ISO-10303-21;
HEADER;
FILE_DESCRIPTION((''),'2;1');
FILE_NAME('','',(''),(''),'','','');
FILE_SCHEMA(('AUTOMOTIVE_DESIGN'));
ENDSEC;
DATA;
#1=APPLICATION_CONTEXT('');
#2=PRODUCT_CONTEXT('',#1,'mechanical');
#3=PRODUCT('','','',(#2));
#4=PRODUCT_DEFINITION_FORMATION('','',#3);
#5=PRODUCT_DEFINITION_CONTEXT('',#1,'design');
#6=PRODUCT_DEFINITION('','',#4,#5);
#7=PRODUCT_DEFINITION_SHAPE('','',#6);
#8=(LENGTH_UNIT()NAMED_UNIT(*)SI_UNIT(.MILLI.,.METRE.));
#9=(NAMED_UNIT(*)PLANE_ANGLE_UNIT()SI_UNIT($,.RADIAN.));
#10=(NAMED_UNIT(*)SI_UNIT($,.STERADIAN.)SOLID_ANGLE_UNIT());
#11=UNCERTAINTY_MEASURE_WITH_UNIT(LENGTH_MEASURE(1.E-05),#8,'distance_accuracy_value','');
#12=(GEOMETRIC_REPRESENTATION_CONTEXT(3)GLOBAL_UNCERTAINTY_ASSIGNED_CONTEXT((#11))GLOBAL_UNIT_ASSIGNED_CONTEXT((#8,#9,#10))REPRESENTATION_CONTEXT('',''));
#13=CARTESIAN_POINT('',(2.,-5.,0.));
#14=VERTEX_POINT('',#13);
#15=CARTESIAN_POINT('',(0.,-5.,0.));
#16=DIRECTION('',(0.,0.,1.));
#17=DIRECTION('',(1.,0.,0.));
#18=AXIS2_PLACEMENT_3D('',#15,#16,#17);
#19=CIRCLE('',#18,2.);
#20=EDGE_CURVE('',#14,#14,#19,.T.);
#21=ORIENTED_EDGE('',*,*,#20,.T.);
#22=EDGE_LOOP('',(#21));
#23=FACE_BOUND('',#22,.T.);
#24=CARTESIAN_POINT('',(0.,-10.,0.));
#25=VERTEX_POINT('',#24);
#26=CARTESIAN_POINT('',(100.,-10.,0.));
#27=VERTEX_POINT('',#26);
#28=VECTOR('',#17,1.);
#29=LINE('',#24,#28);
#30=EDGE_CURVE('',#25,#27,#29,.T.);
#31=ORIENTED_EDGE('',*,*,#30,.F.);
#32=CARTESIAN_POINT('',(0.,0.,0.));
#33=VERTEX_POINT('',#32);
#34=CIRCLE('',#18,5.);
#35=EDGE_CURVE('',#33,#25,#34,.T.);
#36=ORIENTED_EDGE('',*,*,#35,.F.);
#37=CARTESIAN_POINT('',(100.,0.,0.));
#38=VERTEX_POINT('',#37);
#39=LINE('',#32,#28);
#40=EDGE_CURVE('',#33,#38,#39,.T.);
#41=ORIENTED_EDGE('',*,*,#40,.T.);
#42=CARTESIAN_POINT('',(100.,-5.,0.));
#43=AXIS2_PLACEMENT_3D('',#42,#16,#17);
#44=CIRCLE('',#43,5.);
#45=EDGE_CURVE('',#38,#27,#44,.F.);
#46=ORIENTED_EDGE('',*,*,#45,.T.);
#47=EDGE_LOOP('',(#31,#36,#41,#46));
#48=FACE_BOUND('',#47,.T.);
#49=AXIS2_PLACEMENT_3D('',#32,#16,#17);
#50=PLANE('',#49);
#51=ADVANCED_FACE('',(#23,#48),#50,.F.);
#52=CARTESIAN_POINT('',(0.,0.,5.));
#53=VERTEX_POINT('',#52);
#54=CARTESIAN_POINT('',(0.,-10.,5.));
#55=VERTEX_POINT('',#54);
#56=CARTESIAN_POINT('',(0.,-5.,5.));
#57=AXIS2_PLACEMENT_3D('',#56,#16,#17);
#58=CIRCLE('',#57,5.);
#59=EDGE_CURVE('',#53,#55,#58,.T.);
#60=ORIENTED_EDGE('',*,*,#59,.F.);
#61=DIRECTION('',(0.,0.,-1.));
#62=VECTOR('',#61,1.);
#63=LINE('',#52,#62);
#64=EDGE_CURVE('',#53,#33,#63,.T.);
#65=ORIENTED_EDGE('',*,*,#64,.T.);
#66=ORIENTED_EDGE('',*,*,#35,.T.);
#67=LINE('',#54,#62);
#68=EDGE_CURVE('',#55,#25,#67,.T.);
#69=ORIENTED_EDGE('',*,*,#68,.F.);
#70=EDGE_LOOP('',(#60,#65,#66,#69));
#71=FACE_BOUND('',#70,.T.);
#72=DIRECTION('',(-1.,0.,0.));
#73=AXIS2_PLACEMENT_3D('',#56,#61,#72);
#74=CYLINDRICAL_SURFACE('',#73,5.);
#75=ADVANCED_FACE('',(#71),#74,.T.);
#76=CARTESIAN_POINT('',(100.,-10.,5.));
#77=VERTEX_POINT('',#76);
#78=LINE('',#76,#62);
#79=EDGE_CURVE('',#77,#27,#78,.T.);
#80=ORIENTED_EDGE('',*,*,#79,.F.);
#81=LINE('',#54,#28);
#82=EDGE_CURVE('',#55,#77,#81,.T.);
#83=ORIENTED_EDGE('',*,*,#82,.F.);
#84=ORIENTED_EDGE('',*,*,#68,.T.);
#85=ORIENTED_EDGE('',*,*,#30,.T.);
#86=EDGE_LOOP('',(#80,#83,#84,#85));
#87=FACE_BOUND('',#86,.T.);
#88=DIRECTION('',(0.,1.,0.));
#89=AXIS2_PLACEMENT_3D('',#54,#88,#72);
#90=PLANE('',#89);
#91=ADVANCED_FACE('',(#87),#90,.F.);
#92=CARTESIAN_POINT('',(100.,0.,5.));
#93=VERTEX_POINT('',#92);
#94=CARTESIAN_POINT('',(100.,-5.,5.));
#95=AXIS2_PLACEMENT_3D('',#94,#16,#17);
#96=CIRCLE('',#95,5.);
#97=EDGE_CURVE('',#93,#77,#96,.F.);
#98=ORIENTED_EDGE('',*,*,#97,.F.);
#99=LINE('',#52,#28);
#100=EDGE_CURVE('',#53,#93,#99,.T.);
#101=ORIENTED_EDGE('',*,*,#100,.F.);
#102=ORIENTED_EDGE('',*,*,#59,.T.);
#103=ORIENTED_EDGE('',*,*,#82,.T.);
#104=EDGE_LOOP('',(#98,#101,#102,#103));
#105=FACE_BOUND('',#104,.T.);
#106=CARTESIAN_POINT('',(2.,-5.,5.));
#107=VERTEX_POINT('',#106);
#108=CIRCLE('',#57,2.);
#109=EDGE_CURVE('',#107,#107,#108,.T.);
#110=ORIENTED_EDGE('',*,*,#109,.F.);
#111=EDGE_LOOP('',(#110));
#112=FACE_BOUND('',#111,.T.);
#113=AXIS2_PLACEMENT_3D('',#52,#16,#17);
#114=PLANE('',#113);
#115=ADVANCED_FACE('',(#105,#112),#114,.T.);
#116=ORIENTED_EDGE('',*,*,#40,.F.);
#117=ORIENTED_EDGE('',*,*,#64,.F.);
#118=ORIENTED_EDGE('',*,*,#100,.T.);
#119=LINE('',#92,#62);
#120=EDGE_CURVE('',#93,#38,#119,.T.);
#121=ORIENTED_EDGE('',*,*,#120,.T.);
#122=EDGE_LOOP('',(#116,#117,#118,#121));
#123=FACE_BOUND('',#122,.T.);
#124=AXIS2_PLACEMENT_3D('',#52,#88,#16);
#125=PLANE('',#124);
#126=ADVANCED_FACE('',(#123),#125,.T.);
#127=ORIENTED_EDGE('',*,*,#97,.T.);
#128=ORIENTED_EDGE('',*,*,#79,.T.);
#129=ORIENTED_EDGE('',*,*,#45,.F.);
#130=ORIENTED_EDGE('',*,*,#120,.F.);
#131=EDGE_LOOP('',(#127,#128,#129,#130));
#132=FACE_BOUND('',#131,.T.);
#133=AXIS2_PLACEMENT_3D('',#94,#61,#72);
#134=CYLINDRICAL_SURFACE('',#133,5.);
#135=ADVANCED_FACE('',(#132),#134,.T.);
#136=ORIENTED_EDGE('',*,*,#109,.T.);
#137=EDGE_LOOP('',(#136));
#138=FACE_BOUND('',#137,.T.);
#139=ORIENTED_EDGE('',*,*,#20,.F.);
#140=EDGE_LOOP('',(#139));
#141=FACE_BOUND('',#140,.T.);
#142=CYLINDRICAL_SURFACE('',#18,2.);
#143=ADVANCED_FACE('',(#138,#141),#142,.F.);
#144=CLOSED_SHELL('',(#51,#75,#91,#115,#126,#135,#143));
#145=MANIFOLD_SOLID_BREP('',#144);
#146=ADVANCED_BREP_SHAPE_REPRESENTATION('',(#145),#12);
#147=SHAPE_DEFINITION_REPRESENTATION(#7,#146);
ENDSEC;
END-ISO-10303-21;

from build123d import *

# Parameters (mm, degrees)
SKETCH1_W           = 100
SKETCH1_H           = 10
BOSS_EXTRUDE1_DEPTH = 5
SKETCH2_R           = 2
CUT_EXTRUDE1_DEPTH  = 106.59356041


with BuildPart() as part:
    # Sketch1 → Boss-Extrude1 (new body)
    with BuildSketch(Plane.XY):
        with BuildLine():
            Line((0, 0), (0, -10))
            ThreePointArc((0, -10), (-5, -5), (0, 0))
        make_face()
        with Locations((50, -5)):
            Rectangle(SKETCH1_W, SKETCH1_H)
        with BuildLine():
            ThreePointArc((100, 0), (105, -5), (100, -10))
            Line((100, -10), (100, 0))
        make_face()
    extrude(amount=BOSS_EXTRUDE1_DEPTH)

    # Sketch2 → Cut-Extrude1 (cut, through all)
    with BuildSketch(Plane.XY.offset(5)):
        with Locations((0, -5)):
            Circle(SKETCH2_R)
    extrude(amount=-CUT_EXTRUDE1_DEPTH, mode=Mode.SUBTRACT)


solid = part.part
